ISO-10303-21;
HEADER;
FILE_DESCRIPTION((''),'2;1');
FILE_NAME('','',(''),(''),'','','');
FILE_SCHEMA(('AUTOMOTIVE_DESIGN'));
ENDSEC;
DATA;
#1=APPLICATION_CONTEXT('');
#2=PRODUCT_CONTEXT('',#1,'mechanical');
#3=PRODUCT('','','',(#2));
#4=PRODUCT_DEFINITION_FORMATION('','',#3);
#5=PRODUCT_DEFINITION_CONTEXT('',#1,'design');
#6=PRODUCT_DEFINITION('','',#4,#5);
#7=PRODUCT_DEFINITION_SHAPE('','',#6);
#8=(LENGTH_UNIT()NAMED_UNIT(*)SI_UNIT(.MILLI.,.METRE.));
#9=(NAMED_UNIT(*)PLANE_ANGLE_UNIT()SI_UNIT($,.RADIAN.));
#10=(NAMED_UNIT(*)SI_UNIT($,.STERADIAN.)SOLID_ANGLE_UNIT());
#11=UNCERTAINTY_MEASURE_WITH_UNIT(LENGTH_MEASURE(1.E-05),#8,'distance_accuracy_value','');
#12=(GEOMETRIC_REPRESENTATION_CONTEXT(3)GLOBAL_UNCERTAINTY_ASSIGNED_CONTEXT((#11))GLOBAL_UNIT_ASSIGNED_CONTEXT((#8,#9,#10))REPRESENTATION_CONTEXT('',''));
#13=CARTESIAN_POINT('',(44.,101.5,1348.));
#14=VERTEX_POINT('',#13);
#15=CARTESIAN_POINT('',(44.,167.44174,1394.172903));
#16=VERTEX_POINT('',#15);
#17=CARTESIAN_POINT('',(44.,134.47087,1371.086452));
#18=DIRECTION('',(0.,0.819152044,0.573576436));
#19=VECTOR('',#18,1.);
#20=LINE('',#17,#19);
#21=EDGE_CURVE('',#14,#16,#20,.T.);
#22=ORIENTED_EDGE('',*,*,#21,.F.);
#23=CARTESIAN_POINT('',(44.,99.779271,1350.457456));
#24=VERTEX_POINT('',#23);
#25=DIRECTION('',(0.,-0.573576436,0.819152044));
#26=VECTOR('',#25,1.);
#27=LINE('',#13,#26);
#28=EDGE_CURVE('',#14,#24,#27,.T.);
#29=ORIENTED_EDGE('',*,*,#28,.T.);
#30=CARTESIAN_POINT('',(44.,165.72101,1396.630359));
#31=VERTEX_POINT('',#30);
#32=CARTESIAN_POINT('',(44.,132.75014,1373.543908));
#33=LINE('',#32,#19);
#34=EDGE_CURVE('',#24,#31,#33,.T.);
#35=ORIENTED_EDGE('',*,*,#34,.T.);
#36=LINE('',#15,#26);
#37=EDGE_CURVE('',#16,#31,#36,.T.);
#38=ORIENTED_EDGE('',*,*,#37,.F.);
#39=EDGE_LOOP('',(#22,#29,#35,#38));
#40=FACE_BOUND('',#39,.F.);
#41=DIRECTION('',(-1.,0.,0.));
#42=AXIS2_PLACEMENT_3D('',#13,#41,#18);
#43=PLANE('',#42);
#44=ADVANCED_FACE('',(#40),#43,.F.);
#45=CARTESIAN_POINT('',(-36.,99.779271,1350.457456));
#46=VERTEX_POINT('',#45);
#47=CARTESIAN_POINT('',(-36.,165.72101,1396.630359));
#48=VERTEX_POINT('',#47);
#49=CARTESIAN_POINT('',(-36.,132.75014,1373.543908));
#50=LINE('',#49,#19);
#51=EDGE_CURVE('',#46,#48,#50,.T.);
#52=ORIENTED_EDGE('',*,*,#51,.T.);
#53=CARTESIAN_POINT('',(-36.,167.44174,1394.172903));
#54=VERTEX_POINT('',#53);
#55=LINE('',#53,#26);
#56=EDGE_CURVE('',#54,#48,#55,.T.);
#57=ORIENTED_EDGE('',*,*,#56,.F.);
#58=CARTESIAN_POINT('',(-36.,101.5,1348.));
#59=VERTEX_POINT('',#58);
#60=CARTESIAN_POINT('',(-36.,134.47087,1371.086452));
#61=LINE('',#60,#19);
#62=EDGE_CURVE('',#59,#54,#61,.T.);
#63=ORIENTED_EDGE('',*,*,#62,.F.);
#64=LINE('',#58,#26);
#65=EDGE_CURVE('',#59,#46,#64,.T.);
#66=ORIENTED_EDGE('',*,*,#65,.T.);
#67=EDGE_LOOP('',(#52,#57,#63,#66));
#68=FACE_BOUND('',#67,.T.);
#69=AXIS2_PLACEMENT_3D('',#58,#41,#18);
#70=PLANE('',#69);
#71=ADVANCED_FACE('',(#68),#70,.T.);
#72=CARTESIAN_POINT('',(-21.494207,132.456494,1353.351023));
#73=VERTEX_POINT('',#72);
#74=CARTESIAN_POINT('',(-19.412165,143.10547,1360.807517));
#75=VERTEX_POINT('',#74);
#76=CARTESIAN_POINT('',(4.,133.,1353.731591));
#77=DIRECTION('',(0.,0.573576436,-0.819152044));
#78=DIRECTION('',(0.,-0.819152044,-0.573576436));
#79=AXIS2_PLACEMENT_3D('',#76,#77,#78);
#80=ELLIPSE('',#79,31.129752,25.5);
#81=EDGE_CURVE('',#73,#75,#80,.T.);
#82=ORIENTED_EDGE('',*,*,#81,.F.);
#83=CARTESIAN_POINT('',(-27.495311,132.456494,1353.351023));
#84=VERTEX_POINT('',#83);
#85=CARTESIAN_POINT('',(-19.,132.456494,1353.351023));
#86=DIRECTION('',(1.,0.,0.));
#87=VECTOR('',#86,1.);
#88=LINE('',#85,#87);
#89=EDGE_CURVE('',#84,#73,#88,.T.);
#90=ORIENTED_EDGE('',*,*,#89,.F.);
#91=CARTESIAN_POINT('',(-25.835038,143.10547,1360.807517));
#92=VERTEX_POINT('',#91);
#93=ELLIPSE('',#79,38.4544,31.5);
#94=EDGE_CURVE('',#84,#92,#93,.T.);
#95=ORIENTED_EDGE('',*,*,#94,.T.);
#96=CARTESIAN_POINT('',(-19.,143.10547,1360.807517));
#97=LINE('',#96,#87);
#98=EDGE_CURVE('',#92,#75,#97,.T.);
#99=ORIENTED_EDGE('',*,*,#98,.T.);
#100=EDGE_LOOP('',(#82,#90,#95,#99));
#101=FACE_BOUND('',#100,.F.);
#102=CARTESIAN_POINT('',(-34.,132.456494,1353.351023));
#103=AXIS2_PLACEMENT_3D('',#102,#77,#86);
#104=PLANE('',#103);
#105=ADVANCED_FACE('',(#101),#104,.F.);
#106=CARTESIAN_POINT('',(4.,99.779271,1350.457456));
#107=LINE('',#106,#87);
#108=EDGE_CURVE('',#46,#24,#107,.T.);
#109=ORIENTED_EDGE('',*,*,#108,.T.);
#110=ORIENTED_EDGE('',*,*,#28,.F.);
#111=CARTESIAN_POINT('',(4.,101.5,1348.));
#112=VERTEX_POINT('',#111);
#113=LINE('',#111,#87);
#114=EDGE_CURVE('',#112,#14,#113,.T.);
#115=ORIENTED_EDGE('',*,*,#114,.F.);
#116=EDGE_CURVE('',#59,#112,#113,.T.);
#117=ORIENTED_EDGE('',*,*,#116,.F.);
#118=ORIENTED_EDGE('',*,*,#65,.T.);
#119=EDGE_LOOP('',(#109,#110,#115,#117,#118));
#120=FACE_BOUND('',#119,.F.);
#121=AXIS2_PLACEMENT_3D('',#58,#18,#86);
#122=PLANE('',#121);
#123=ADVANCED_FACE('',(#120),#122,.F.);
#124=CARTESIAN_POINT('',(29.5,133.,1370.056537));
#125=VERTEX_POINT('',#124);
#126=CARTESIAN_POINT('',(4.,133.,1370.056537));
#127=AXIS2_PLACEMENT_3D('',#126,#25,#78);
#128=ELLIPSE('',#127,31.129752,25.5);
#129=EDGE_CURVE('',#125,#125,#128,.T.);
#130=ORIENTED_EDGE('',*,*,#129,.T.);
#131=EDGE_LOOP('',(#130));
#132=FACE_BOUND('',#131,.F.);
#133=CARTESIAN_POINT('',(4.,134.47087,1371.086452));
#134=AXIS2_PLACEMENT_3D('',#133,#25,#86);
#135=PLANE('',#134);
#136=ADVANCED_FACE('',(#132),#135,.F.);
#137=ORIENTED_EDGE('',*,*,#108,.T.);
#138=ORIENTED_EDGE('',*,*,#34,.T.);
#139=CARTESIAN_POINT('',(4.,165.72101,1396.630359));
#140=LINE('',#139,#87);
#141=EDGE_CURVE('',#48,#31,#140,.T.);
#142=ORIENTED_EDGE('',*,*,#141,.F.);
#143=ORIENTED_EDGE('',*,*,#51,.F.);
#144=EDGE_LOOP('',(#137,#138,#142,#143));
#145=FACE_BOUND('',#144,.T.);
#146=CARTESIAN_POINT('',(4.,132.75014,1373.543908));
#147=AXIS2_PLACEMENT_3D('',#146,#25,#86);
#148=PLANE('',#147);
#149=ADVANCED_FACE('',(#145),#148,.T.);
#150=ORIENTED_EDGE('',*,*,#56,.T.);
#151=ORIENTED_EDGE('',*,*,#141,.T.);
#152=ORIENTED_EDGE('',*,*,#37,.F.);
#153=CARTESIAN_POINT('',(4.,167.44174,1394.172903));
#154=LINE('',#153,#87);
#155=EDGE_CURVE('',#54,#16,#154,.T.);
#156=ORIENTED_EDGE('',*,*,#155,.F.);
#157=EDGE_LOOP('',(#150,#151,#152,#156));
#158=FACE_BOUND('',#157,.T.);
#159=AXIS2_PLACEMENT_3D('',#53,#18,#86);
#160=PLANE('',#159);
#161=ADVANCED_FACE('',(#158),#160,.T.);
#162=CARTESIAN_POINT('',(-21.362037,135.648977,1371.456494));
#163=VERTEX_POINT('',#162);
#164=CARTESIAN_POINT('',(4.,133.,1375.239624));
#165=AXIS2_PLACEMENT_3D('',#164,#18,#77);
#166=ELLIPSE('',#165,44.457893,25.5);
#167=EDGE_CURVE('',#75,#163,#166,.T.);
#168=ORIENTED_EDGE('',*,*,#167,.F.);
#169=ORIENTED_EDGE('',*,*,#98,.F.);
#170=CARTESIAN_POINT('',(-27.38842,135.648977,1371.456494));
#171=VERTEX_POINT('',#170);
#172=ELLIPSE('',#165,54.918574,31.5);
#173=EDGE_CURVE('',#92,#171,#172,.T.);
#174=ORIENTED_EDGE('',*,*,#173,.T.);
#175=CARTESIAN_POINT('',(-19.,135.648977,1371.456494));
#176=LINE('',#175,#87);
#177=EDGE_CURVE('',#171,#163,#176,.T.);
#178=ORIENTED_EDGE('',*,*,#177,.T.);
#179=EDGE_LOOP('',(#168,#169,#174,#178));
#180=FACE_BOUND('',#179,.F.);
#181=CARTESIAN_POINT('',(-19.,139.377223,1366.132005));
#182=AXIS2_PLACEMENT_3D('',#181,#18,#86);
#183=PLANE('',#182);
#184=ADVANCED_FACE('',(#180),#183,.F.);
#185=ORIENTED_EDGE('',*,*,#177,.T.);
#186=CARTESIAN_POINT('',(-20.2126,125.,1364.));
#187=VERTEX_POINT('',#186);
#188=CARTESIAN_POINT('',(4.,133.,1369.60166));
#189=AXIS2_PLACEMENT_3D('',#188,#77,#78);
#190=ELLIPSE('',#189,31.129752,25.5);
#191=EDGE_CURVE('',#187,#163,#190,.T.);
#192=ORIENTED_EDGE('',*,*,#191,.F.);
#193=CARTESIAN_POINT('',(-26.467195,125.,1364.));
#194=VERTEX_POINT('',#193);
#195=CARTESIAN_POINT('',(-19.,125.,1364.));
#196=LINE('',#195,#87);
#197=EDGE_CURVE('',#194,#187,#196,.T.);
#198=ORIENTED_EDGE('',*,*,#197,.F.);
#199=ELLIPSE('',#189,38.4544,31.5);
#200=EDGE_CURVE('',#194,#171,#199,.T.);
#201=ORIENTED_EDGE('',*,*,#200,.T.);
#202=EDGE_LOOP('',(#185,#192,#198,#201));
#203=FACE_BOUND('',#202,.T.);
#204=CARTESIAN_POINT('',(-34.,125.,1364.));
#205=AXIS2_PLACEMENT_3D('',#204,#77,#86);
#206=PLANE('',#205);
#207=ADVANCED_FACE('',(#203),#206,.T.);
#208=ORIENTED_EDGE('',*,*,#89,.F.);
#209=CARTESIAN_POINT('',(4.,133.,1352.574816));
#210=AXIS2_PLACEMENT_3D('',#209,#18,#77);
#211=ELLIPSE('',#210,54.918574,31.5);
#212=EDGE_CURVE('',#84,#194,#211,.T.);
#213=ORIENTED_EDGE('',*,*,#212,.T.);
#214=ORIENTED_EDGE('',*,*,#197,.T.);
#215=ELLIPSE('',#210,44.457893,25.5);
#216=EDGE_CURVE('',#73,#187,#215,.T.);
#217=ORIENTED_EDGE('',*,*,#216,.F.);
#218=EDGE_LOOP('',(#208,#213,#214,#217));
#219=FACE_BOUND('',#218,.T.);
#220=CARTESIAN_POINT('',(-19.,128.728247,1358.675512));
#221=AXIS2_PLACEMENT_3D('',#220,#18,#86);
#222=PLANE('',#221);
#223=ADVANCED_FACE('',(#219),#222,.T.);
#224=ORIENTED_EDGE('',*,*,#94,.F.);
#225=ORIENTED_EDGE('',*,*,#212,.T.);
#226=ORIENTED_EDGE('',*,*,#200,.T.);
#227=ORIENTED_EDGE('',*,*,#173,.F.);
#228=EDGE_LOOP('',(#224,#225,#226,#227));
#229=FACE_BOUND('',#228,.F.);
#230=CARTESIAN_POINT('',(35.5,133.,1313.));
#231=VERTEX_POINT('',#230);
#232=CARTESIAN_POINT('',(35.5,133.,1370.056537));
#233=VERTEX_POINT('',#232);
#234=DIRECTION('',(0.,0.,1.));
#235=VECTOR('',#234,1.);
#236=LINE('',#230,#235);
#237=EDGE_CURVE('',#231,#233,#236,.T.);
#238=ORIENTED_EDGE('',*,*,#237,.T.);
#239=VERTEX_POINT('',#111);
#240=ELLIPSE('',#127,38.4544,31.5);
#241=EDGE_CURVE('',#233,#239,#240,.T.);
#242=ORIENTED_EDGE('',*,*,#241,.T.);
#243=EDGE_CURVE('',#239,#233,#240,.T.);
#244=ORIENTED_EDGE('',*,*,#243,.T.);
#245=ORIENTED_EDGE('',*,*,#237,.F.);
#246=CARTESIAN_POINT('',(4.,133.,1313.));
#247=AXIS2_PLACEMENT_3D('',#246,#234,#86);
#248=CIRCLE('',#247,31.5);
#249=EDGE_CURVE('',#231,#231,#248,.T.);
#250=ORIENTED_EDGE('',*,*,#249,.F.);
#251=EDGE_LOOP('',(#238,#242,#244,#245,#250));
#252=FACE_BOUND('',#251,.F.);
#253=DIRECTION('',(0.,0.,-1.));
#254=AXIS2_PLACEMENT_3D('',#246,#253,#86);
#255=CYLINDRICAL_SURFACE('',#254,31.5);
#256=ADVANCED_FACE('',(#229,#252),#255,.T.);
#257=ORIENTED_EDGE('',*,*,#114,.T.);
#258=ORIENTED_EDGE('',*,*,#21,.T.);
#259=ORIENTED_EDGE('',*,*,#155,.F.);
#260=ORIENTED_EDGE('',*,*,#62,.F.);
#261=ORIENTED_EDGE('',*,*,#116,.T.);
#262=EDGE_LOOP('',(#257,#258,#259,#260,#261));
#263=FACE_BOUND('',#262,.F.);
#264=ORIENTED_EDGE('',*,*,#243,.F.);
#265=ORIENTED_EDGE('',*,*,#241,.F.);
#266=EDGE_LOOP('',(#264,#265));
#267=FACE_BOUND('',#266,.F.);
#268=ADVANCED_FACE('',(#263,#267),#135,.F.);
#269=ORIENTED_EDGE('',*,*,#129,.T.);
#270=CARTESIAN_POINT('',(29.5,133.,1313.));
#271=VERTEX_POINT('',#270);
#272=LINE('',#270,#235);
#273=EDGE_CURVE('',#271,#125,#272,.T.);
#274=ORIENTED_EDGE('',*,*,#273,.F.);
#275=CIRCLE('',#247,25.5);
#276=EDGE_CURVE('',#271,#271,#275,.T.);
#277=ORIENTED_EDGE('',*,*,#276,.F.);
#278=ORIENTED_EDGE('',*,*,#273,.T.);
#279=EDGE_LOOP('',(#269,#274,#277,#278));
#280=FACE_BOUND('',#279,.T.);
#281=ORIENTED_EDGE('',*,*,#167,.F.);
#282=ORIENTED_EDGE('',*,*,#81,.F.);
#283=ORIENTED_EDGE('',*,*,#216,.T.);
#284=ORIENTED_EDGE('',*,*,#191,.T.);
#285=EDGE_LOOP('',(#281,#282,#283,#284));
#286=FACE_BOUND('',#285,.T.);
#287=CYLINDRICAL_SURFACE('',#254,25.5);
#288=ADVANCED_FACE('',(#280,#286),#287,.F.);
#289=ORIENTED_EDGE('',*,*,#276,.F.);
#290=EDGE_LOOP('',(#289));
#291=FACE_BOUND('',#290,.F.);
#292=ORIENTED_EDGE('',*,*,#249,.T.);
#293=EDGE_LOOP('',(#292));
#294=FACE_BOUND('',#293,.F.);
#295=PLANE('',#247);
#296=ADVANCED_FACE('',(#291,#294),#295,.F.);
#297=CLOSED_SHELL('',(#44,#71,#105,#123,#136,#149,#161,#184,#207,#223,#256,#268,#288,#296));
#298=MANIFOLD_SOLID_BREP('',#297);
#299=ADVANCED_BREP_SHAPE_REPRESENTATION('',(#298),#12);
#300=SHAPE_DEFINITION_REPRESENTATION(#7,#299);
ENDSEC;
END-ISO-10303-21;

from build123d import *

# Parameters (mm, degrees)
BOX059_W               = 30
BOX059_H               = 13
BOX059_DEPTH           = 13
BOX059_PLACEMENT_ANGLE = 55
BOX057_W               = 90
BOX057_H               = 40
BOX057_DEPTH           = 90
BOX057_PLACEMENT_ANGLE = 55
CYLINDER032_R          = 25.5
CYLINDER032_DEPTH      = 80
CYLINDER033_R          = 31.5
CYLINDER033_DEPTH      = 80
BOX058_W               = 80
BOX058_H               = 80.5
BOX058_DEPTH           = 3
BOX058_ROLL_ANGLE      = 35


with BuildPart() as usb_hole:
    # Box059 → Box059 (new body)
    with BuildSketch(Plane.XY):
        with Locations((15, 6.5)):
            Rectangle(BOX059_W, BOX059_H)
    extrude(amount=BOX059_DEPTH)


with BuildPart() as usb_hole_1:
    # Box059 placement: moved
    add(usb_hole.part.moved(Location((3, 51, 16))).rotate(Axis((3, 51, 16), (-1, 0, 0)), BOX059_PLACEMENT_ANGLE))


with BuildPart() as cube012:
    # Box057 → Box057 (new body)
    with BuildSketch(Plane.XY):
        with Locations((45, 20)):
            Rectangle(BOX057_W, BOX057_H)
    extrude(amount=BOX057_DEPTH)


with BuildPart() as cube012_1:
    # Box057 placement: moved
    add(cube012.part.moved(Location((0, -12, 68))).rotate(Axis((0, -12, 68), (-1, 0, 0)), BOX057_PLACEMENT_ANGLE))


with BuildPart() as cylinder017:
    # Cylinder032 → Cylinder032 (new body)
    with BuildSketch(Plane(origin=(41, 43, 0), x_dir=(1, 0, 0), z_dir=(0, 0, 1))):
        Circle(CYLINDER032_R)
    extrude(amount=CYLINDER032_DEPTH)


with BuildPart() as cut061:
    # Cylinder033 → Cylinder033 (new body)
    with BuildSketch(Plane(origin=(41, 43, 0), x_dir=(1, 0, 0), z_dir=(0, 0, 1))):
        Circle(CYLINDER033_R)
    extrude(amount=CYLINDER033_DEPTH)

    # Cut060: cut Cylinder017
    add(cylinder017.part, mode=Mode.SUBTRACT)

    # Cut061: cut Cube012
    add(cube012_1.part, mode=Mode.SUBTRACT)


with BuildPart() as cut061_1:
    # Cut061 placement: moved
    add(cut061.part.moved(Location((0, 16, -35))))


with BuildPart() as tube_to_tablet_piece:
    # Box058 → Box058 (new body)
    with BuildSketch(Plane.XY):
        with Locations((40, 40.25)):
            Rectangle(BOX058_W, BOX058_H)
    extrude(amount=BOX058_DEPTH)


with BuildPart() as tube_to_tablet_piece_1:
    # Box058 roll: moved
    add(tube_to_tablet_piece.part.rotate(Axis((0, 0, 0), (1, 0, 0)), BOX058_ROLL_ANGLE))


with BuildPart() as tube_to_tablet_piece_2:
    # Box058 placement: moved
    add(tube_to_tablet_piece_1.part.moved(Location((1, 27.5, 0))))

    # Fusion101: union Cut061
    add(cut061_1.part)

    # Cut062: cut USB hole
    add(usb_hole_1.part, mode=Mode.SUBTRACT)


with BuildPart() as tube_to_tablet_piece_3:
    # Cut062 placement: moved
    add(tube_to_tablet_piece_2.part.moved(Location((-37, 74, 1348))))


solid = tube_to_tablet_piece_3.part
